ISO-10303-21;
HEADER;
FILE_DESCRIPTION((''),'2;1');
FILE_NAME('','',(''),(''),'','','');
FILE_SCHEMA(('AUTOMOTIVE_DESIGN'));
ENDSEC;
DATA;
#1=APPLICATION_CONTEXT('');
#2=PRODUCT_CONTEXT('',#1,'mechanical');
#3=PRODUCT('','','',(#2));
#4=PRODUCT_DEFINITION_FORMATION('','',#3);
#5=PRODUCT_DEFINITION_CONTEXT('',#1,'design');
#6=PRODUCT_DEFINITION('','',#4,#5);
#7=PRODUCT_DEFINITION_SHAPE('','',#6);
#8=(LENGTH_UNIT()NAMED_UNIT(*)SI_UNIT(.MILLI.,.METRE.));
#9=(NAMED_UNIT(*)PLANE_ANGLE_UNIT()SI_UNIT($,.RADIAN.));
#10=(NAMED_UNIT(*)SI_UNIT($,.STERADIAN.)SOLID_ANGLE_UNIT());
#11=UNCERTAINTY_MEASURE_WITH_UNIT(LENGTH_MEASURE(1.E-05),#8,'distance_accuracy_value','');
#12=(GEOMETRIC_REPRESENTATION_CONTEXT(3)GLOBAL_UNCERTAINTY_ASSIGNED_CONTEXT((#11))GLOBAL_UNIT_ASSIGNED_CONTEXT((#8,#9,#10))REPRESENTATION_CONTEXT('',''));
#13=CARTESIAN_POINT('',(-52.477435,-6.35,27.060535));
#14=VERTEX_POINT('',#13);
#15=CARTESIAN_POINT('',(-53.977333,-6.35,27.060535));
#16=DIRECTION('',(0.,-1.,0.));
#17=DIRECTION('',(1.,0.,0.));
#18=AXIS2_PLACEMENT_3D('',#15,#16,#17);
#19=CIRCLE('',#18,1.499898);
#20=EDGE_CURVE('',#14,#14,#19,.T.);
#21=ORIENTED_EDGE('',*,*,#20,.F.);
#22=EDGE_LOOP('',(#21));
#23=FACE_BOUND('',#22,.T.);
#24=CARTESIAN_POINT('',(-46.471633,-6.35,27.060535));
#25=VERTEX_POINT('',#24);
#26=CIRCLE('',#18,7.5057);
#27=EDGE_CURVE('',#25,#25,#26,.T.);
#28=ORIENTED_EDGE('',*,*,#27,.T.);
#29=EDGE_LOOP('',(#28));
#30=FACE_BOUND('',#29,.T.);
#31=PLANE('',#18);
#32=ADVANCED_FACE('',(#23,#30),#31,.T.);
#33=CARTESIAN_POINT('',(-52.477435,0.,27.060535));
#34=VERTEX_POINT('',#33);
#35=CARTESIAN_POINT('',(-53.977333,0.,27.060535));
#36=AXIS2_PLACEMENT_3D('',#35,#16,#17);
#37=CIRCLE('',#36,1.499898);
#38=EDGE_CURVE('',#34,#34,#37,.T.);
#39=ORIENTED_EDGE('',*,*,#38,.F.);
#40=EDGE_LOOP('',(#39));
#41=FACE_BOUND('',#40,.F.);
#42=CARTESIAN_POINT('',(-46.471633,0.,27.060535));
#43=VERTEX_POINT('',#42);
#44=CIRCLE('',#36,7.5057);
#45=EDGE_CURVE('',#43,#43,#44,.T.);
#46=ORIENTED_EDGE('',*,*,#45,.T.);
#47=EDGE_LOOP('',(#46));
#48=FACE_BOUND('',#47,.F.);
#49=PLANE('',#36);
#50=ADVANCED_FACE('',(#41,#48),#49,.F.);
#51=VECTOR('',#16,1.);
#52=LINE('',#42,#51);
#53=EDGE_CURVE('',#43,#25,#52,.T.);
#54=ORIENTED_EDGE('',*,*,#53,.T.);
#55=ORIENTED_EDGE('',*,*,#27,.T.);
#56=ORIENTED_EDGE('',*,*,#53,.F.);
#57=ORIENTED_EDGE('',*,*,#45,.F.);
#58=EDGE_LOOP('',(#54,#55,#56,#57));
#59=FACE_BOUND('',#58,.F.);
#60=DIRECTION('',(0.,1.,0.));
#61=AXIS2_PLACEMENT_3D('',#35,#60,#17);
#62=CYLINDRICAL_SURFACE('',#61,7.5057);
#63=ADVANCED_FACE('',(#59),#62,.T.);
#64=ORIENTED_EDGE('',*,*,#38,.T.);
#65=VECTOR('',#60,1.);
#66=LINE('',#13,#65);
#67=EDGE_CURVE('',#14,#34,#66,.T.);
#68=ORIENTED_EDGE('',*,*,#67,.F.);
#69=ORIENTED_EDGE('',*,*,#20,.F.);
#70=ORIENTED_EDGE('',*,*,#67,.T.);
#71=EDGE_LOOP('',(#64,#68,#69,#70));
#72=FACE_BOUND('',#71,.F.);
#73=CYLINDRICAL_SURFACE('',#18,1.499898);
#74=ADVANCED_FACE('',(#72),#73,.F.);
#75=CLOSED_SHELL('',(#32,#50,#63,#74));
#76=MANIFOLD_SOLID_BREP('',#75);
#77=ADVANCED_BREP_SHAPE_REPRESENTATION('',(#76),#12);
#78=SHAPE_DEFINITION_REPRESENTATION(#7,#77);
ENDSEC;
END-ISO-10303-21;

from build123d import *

# Parameters (mm, degrees)
F0_R     = 7.5057
F1_DEPTH = 6.35
F2_R     = 1.499898
F3_DEPTH = 6.351


with BuildPart() as f1:
    # F0 (on Front) → F1 (new body)
    with BuildSketch(Plane.XZ):
        with Locations((-53.977333, 27.060535)):
            Circle(F0_R)
    extrude(amount=F1_DEPTH)

    # F2 (on face) → F3 (cut, through all)
    with BuildSketch(Plane.XZ.offset(6.35)):
        with Locations((-53.977333, 27.060535)):
            Circle(F2_R)
    extrude(amount=-F3_DEPTH, mode=Mode.SUBTRACT)


solid = f1.part
